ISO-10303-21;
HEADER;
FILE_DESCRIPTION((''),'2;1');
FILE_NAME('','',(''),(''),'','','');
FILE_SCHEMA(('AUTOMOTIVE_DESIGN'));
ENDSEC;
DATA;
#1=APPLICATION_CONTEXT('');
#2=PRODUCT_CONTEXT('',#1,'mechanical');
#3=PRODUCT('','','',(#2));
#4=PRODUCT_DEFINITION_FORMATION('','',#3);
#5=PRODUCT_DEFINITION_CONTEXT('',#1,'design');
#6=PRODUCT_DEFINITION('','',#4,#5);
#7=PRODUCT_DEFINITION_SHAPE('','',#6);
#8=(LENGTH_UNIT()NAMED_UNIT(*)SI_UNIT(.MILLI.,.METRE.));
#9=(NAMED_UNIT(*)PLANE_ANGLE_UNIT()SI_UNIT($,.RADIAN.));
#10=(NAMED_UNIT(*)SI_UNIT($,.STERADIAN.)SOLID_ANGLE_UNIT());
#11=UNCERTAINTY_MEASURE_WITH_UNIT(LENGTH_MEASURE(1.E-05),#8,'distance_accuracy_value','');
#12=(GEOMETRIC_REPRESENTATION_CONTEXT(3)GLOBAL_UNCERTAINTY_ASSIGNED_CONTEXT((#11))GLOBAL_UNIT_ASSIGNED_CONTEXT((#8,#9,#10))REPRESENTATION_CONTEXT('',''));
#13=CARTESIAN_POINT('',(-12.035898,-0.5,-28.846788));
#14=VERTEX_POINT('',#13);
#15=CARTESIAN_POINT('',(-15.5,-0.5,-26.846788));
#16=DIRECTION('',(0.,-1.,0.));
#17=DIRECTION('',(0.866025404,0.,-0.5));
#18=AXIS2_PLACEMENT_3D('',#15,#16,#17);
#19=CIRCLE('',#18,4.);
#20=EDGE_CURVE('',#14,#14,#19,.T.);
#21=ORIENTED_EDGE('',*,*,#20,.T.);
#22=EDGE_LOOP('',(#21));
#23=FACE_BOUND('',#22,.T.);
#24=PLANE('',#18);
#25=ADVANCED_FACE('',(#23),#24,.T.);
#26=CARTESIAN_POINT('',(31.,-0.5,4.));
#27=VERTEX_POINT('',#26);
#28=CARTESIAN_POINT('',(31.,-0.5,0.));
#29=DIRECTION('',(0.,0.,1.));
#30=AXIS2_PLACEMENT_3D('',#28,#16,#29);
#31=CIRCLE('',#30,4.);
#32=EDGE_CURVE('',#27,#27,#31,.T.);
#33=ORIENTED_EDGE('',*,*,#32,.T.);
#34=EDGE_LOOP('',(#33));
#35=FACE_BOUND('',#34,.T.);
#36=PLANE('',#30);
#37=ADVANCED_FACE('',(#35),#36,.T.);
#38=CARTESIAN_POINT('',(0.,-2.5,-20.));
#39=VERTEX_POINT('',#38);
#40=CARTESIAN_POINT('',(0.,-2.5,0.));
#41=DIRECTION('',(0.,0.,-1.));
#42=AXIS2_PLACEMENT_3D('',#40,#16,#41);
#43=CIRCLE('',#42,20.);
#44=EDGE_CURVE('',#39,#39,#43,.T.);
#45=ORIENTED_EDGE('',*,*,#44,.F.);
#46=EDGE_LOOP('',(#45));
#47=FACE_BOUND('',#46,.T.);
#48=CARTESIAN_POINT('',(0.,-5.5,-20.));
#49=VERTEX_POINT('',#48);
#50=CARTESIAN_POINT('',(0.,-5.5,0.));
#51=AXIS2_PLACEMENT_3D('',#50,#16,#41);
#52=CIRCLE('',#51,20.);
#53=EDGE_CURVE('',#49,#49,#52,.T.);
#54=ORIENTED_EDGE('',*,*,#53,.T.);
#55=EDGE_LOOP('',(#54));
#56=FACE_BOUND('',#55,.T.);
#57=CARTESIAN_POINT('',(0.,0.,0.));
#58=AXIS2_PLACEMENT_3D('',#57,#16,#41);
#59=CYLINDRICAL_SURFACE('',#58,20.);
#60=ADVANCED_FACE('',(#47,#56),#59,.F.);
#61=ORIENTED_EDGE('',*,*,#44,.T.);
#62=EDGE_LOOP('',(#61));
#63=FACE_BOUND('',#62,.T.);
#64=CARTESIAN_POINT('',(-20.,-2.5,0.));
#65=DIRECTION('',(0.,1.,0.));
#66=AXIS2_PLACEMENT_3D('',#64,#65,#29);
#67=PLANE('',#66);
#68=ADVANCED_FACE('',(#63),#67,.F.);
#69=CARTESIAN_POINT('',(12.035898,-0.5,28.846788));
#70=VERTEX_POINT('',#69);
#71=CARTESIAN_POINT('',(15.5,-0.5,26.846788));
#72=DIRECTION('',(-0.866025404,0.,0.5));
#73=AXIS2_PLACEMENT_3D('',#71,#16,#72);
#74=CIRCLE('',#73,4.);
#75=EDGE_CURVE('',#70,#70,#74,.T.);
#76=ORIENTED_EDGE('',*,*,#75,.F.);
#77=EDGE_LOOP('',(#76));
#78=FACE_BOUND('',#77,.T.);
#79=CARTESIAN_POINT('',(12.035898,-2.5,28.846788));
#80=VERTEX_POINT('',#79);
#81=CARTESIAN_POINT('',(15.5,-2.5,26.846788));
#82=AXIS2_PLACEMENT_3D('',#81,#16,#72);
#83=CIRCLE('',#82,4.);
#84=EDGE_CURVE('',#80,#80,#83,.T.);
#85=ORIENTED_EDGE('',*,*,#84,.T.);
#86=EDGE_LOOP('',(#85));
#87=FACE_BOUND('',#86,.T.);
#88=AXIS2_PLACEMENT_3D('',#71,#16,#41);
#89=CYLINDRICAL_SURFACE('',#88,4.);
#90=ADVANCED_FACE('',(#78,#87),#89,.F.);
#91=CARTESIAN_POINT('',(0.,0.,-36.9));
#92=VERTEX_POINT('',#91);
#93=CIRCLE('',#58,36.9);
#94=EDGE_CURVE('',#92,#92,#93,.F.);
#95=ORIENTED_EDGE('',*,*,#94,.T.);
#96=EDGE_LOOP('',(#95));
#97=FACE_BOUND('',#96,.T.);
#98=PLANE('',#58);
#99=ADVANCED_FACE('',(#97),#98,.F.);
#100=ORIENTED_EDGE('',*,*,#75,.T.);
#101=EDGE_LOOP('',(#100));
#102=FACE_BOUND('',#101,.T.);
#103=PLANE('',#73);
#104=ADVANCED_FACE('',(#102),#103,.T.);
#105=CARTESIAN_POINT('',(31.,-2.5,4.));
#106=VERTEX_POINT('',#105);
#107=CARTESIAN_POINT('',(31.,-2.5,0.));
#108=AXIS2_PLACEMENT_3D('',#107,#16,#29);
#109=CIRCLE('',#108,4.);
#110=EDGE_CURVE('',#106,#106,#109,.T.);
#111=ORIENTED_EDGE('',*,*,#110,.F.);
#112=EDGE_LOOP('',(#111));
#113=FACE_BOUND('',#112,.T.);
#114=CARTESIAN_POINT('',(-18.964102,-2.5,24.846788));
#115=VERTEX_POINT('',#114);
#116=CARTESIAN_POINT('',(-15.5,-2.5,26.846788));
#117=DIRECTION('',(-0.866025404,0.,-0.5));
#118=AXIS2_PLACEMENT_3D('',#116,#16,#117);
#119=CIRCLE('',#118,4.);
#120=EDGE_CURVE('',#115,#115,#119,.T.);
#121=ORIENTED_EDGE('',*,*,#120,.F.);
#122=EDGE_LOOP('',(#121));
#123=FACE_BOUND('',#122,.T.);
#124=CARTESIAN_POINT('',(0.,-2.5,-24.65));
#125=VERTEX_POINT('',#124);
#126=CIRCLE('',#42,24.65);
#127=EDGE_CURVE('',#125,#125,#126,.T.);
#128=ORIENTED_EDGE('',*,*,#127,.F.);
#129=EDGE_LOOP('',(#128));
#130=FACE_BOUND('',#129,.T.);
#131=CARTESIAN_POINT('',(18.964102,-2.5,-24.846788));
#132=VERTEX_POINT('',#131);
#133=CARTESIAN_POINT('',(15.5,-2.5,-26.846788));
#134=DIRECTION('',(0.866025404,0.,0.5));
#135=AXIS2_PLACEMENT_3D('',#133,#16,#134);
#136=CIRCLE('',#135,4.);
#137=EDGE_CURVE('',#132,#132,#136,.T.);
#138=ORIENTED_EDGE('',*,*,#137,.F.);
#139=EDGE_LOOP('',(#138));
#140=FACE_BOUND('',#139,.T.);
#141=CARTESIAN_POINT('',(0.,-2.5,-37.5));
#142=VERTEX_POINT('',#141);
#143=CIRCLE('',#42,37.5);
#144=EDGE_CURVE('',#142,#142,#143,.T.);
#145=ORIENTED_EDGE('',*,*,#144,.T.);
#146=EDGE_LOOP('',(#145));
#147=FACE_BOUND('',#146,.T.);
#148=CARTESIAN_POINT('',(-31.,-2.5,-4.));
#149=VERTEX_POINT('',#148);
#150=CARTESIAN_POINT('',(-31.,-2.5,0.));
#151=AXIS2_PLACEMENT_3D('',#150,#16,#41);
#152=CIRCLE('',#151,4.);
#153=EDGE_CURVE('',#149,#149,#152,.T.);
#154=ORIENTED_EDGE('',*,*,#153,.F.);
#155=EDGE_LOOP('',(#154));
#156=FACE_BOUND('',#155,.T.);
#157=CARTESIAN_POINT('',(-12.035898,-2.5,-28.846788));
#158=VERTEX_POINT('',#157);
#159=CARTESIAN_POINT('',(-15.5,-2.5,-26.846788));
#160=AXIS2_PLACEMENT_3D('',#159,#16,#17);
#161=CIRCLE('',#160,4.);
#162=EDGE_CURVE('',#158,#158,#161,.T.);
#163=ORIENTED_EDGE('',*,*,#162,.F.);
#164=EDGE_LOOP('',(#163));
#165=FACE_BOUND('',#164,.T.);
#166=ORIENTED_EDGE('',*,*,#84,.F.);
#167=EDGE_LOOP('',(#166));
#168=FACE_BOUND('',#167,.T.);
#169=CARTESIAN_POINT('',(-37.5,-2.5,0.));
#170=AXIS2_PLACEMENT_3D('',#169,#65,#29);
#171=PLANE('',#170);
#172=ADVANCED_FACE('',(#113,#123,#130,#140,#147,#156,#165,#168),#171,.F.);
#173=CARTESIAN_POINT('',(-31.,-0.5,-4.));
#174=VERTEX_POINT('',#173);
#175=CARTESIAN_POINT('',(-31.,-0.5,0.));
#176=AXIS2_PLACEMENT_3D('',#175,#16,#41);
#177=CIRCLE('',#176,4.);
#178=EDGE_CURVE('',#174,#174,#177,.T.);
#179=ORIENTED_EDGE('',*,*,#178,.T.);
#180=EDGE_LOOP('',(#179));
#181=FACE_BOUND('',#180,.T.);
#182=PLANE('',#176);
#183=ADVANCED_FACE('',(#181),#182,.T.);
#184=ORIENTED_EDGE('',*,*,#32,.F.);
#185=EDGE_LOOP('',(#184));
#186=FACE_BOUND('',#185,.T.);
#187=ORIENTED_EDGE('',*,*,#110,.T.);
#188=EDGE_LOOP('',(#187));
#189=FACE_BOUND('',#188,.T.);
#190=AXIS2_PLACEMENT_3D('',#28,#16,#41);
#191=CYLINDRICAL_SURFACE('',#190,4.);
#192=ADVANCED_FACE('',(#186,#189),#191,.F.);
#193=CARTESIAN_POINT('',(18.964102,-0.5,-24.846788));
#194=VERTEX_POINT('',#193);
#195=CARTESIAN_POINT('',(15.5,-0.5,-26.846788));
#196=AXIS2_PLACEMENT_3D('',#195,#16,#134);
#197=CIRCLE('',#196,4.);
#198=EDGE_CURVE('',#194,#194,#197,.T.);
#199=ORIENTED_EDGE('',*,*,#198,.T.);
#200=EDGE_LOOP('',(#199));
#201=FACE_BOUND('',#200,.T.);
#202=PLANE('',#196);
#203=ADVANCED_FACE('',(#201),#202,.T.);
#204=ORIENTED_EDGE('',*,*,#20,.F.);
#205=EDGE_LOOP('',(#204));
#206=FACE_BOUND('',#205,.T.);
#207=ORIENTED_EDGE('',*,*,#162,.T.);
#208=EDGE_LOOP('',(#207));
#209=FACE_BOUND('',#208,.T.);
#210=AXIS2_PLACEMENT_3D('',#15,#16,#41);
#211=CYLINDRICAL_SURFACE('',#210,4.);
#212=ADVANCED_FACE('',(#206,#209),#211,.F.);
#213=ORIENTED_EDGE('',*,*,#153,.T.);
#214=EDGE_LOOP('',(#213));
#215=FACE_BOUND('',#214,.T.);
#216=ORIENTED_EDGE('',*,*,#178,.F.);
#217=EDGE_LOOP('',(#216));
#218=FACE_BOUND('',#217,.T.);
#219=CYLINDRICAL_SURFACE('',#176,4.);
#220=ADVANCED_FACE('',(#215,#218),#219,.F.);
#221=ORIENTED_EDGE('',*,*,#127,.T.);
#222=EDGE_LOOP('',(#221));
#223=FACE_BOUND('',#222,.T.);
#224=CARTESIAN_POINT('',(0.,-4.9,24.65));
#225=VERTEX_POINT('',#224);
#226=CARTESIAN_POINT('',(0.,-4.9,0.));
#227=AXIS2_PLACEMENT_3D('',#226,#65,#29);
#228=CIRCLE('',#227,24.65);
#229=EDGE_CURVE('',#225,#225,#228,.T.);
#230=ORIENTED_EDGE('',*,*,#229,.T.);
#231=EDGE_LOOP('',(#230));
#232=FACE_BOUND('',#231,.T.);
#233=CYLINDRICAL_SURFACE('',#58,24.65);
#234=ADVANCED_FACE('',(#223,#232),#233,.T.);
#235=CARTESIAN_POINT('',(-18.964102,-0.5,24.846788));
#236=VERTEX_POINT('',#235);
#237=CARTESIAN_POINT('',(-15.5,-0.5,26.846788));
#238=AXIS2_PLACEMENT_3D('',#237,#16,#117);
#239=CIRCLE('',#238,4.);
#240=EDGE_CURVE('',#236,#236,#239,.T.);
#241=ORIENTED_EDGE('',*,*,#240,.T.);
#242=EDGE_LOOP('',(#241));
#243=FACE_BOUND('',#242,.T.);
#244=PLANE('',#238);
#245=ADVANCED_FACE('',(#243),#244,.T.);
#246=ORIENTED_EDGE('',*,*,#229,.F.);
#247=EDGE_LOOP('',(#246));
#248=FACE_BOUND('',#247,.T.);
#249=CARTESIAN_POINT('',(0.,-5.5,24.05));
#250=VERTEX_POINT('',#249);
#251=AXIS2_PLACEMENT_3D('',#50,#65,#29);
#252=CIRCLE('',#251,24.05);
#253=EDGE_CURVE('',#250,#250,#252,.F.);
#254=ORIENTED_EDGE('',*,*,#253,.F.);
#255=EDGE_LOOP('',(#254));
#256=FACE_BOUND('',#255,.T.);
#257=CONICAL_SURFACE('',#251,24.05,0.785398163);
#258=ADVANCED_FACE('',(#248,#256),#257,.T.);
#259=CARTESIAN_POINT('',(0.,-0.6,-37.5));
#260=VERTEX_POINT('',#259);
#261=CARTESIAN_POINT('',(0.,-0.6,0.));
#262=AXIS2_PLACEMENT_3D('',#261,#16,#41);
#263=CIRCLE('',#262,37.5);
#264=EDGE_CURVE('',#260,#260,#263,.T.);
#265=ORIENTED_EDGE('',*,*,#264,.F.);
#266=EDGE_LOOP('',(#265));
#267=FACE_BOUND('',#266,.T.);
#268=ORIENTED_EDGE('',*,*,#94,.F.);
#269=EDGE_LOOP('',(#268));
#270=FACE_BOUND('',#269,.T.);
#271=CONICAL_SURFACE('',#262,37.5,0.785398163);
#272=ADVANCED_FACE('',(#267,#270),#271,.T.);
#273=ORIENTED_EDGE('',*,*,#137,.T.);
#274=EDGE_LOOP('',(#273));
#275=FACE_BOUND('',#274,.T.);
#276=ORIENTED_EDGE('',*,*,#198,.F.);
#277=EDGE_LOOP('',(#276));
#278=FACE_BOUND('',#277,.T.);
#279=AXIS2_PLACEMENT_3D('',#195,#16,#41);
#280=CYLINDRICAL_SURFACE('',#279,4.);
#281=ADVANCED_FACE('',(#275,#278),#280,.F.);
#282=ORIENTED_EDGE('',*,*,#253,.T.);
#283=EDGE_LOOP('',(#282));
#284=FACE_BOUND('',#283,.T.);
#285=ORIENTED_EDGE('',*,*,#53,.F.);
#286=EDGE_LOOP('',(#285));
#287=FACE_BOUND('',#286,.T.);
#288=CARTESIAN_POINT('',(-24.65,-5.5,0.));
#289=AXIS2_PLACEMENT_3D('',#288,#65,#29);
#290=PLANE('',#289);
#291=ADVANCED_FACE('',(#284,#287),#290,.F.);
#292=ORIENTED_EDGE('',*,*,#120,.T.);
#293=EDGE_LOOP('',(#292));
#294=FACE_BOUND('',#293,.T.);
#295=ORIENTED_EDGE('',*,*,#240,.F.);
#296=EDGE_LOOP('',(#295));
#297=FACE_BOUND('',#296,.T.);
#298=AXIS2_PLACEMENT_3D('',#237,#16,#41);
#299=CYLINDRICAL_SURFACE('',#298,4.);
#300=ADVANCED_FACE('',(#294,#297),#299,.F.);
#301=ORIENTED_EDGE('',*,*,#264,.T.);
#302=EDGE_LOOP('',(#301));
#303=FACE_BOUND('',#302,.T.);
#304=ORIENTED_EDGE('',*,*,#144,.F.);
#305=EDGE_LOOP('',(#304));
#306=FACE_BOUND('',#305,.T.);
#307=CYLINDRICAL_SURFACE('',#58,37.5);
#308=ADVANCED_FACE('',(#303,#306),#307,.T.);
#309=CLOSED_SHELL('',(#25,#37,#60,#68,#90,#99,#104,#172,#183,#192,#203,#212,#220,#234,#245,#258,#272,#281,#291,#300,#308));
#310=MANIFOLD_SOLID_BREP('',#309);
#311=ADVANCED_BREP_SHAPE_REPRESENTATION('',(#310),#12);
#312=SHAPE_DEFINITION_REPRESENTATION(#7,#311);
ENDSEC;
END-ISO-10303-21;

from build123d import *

# Parameters (mm, degrees)
SKETCH_4_R               = 4
CUT_EXTRUDE_1_DEPTH      = 2
PATTERN_CIRCULAR_1_COUNT = 6
CHAMFER_1_SIZE           = 0.6


with BuildPart() as part:
    # Эскиз1 → Повернуть1 (revolve)
    with BuildSketch(Plane.XY):
        Polygon((0, 0), (-37.5, 0), (-37.5, -2.5), (-24.65, -2.5), (-24.65, -5.5), (-20, -5.5), (-20, -2.5), (0, -2.5), align=None)
    revolve(axis=Axis((0, 0, 0), (0, 1, 0)))

    # Эскиз4 → Cut-Extrude 1 (cut)
    with BuildSketch(Plane.XZ.offset(2.5)):
        with Locations((-31, 0)):
            Circle(SKETCH_4_R)
    cut_extrude_1 = extrude(amount=-CUT_EXTRUDE_1_DEPTH, mode=Mode.SUBTRACT)

    # Круговой массив1: Cut-Extrude 1 ×6 about axis
    pattern_circular_1_axis = Axis((0, 0, 0), (0, 1, 0))
    for i in range(1, PATTERN_CIRCULAR_1_COUNT):
        add(cut_extrude_1.rotate(pattern_circular_1_axis, i * 360 / PATTERN_CIRCULAR_1_COUNT), mode=Mode.SUBTRACT)

    # Фаска1
    chamfer_1_edges = [part.edges().sort_by_distance(p)[0] for p in [
        (24.65, -5.5, 0),
        (37.5, 0, 0),
    ]]
    chamfer(chamfer_1_edges, length=CHAMFER_1_SIZE)


solid = part.part
